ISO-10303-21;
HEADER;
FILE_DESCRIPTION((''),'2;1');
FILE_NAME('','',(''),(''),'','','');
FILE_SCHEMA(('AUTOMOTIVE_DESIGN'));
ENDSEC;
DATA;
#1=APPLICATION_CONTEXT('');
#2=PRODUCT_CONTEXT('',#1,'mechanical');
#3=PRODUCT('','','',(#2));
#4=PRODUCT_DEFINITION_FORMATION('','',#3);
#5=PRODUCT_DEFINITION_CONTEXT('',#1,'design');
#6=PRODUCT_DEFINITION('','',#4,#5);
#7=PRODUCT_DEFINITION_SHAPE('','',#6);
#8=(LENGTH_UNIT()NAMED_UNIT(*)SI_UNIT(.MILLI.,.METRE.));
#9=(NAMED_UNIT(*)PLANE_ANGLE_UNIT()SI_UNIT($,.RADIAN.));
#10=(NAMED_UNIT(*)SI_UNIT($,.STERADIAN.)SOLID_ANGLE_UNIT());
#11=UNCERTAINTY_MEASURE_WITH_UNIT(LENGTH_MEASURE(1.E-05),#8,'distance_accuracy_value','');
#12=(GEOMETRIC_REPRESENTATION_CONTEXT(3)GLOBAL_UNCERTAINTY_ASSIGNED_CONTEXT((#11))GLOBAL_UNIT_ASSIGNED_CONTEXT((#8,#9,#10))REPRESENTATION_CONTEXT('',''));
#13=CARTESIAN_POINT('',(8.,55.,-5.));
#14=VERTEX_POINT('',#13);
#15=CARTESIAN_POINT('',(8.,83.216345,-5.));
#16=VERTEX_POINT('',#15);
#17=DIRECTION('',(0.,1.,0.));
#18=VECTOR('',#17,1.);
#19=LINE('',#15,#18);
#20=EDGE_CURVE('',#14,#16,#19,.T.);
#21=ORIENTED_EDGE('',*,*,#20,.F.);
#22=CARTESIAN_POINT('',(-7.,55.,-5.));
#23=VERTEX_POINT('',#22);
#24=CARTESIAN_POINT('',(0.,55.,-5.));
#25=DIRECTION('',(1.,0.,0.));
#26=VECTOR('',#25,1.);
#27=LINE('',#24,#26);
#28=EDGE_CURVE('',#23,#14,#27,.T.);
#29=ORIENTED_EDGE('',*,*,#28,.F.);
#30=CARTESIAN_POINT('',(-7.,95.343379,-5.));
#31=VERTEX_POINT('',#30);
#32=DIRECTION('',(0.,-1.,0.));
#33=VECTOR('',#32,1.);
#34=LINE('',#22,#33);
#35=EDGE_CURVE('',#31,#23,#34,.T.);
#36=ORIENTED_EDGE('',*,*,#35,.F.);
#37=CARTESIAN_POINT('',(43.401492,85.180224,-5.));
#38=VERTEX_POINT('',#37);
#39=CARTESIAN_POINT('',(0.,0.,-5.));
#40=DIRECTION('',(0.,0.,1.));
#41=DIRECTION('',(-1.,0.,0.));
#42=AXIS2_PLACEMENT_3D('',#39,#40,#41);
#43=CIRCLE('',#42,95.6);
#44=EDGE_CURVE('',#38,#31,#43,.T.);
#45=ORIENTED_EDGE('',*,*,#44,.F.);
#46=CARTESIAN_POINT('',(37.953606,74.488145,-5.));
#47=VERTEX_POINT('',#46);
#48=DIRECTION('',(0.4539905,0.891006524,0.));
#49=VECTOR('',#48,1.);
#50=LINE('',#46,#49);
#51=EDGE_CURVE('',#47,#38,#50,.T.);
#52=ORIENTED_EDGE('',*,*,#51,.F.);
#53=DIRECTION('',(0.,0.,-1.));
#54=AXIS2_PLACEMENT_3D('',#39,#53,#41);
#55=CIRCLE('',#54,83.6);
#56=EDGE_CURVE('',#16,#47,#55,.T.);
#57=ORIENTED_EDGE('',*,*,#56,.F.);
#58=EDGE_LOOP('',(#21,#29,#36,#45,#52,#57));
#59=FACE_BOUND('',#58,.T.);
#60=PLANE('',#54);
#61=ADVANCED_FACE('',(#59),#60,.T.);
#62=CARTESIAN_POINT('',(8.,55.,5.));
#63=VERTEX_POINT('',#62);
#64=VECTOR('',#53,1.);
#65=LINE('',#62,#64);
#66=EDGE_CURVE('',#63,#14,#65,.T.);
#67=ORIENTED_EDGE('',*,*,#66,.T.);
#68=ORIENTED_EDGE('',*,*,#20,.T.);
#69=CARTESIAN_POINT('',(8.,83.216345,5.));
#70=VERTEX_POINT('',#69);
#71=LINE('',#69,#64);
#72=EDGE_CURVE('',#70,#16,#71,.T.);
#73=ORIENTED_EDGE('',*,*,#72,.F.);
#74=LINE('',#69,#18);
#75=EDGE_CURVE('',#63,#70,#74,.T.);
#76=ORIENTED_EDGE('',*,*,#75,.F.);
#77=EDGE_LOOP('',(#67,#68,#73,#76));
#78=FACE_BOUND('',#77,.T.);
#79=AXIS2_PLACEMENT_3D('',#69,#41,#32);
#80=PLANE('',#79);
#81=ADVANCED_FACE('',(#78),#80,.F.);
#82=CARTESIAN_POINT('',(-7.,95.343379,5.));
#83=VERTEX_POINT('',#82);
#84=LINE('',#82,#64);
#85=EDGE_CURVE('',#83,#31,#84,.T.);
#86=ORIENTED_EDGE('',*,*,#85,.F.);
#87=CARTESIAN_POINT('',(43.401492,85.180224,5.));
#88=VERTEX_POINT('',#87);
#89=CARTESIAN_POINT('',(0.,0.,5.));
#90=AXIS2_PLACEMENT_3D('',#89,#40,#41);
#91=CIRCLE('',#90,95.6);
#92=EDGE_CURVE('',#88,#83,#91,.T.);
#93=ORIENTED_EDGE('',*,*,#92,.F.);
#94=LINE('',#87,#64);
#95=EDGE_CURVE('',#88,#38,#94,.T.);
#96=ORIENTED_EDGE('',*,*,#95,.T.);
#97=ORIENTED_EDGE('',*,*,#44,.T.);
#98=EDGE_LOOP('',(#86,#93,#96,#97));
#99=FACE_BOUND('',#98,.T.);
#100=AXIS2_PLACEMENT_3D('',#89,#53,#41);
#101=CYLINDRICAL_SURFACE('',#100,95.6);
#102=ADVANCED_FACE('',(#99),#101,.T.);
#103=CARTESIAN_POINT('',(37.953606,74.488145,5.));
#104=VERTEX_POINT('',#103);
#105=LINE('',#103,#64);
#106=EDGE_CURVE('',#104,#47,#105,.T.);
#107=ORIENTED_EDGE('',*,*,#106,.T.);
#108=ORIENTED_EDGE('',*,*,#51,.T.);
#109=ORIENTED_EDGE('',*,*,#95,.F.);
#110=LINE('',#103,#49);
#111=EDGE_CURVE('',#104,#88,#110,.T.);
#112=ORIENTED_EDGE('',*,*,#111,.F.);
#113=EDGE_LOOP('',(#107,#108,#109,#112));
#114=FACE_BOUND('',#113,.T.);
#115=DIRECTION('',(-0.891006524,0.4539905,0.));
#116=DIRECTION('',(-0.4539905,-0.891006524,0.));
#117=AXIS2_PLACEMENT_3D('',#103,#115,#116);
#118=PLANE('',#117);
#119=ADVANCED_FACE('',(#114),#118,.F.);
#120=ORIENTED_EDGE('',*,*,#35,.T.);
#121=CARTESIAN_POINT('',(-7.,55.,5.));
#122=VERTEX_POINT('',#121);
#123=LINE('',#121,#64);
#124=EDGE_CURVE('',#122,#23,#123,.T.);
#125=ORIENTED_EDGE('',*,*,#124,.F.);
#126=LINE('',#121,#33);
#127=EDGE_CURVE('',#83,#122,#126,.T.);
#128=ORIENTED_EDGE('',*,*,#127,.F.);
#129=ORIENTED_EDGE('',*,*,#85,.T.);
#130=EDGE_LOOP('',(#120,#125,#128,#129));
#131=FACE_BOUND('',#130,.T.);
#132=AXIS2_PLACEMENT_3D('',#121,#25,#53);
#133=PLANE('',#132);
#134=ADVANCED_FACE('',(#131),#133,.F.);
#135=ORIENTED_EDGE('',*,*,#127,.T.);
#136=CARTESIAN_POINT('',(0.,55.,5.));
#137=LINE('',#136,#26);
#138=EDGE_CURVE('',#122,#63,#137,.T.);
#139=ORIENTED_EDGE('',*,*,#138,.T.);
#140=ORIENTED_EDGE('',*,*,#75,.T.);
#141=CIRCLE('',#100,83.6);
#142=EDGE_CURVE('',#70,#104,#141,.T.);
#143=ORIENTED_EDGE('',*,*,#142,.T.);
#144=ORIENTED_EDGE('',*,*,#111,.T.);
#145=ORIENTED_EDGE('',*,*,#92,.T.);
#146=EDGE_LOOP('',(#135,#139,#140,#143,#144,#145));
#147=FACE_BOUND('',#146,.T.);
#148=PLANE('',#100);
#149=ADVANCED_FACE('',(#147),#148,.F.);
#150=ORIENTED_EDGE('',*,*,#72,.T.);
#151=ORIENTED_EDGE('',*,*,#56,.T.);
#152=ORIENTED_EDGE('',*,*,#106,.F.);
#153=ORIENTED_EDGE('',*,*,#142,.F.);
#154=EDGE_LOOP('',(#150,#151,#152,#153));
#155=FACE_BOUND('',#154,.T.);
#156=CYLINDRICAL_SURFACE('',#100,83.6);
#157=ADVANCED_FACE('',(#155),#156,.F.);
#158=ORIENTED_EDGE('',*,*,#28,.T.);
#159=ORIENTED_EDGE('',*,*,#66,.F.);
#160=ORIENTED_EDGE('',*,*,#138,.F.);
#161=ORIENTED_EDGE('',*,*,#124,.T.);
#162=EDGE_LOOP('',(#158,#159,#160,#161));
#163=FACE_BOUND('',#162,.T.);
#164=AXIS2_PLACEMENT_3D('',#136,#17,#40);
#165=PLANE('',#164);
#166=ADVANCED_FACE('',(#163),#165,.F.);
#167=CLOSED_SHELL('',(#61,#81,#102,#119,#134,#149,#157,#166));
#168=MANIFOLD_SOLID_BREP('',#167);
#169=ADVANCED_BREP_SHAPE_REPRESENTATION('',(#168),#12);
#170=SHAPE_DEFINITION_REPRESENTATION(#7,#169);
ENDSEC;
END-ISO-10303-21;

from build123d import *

# Parameters (mm, degrees)
BOSS_EXTRUDE1_DEPTH = 5


with BuildPart() as part:
    # Sketch1 → Boss-Extrude1 (new body, symmetric)
    with BuildSketch(Plane.XY):
        with BuildLine():
            Line((37.953605778, 74.488145422), (43.401491775, 85.180223712))
            ThreePointArc((43.401491775, 85.180223712), (18.896814133, 93.713768549), (-7, 95.343379424))
            Line((-7, 95.343379424), (-7, 55))
            Line((-7, 55), (0, 55))
            Line((0, 55), (8, 55))
            Line((8, 55), (8, 83.216344548))
            ThreePointArc((8, 83.216344548), (23.387578669, 80.261953403), (37.953605778, 74.488145422))
        make_face()
    extrude(amount=BOSS_EXTRUDE1_DEPTH, both=True)


solid = part.part
